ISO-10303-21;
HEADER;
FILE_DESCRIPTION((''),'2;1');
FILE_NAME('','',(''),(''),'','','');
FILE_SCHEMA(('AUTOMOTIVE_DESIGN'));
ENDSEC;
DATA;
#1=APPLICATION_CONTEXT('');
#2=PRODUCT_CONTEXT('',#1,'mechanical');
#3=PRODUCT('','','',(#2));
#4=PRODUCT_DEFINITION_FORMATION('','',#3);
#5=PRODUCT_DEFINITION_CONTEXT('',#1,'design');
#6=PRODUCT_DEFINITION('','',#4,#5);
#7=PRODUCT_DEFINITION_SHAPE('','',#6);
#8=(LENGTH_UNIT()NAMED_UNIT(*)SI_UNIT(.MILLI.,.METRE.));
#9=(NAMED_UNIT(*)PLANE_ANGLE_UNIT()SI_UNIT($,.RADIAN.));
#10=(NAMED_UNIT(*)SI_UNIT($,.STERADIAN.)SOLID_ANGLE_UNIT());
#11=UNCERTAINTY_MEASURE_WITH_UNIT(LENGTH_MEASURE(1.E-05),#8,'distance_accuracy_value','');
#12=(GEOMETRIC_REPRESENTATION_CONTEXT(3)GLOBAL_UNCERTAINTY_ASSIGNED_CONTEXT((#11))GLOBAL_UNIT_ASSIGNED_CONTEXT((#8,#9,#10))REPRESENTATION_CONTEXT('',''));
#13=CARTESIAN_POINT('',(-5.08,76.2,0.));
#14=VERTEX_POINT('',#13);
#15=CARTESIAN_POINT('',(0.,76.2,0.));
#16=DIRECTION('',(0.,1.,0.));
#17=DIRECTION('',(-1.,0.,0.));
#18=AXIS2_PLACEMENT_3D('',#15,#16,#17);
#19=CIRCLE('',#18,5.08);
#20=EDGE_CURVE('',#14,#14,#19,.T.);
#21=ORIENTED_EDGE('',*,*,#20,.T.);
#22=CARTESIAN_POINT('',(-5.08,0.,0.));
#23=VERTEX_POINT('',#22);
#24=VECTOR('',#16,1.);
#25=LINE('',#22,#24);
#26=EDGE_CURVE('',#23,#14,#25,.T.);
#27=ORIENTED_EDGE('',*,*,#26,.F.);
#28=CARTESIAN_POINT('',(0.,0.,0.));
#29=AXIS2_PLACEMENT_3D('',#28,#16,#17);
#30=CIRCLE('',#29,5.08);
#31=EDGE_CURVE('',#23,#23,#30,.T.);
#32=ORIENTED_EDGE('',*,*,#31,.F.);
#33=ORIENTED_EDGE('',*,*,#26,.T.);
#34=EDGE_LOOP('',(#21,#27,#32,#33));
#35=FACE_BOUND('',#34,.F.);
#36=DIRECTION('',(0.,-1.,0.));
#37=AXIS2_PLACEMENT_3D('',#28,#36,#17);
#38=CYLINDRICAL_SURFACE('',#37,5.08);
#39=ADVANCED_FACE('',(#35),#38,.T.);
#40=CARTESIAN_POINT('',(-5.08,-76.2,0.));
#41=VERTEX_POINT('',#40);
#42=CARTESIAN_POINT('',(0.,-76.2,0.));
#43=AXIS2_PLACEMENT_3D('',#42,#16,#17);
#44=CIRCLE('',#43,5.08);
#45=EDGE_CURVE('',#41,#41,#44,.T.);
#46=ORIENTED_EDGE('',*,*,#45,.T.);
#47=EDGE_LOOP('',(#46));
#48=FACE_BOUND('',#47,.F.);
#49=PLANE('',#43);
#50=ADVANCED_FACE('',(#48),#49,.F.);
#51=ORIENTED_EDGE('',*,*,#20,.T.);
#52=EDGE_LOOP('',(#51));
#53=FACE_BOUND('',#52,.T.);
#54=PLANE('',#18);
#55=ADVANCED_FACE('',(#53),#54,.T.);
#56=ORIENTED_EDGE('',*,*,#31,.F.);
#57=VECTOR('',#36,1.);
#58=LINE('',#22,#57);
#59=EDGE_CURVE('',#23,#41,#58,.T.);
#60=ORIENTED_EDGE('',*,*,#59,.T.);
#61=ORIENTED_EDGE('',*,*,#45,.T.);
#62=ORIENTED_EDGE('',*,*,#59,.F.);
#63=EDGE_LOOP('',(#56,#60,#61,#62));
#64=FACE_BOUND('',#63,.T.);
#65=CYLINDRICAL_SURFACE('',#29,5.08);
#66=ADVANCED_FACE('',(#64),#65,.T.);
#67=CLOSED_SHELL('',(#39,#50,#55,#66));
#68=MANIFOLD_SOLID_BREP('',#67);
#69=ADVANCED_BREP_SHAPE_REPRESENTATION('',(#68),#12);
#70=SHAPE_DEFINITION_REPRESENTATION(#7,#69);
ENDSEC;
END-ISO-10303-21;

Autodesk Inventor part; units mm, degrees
ref_plane "YZ Plane" through (0, 0, 0) normal (1, 0, 0) x (0, 1, 0)
ref_plane "XZ Plane" through (0, 0, 0) normal (0, 1, 0) x (-1, 0, 0)
ref_plane "XY Plane" through (0, 0, 0) normal (0, 0, 1) x (1, 0, 0)
sketch "Sketch2" plane through (0, 0, 0) normal (0, 1, 0) x (-1, 0, 0)
  circle A0 centre (0, 0) radius 5.08
  dimension "d0" = 10.16
extrude "Extrusion1" add sketch "Sketch2" along normal mid plane 152.4
equation "\"d0\" = pMThrowerHubDiam"
equation "\"d1\" = pmThrowererHubLength"
equation "\"pMThrowerHubDiam\" = 10.16"
equation "\"pmThrowererHubLength\" = 152.4"
properties part number "pitchingMachineThrowerAxel"
